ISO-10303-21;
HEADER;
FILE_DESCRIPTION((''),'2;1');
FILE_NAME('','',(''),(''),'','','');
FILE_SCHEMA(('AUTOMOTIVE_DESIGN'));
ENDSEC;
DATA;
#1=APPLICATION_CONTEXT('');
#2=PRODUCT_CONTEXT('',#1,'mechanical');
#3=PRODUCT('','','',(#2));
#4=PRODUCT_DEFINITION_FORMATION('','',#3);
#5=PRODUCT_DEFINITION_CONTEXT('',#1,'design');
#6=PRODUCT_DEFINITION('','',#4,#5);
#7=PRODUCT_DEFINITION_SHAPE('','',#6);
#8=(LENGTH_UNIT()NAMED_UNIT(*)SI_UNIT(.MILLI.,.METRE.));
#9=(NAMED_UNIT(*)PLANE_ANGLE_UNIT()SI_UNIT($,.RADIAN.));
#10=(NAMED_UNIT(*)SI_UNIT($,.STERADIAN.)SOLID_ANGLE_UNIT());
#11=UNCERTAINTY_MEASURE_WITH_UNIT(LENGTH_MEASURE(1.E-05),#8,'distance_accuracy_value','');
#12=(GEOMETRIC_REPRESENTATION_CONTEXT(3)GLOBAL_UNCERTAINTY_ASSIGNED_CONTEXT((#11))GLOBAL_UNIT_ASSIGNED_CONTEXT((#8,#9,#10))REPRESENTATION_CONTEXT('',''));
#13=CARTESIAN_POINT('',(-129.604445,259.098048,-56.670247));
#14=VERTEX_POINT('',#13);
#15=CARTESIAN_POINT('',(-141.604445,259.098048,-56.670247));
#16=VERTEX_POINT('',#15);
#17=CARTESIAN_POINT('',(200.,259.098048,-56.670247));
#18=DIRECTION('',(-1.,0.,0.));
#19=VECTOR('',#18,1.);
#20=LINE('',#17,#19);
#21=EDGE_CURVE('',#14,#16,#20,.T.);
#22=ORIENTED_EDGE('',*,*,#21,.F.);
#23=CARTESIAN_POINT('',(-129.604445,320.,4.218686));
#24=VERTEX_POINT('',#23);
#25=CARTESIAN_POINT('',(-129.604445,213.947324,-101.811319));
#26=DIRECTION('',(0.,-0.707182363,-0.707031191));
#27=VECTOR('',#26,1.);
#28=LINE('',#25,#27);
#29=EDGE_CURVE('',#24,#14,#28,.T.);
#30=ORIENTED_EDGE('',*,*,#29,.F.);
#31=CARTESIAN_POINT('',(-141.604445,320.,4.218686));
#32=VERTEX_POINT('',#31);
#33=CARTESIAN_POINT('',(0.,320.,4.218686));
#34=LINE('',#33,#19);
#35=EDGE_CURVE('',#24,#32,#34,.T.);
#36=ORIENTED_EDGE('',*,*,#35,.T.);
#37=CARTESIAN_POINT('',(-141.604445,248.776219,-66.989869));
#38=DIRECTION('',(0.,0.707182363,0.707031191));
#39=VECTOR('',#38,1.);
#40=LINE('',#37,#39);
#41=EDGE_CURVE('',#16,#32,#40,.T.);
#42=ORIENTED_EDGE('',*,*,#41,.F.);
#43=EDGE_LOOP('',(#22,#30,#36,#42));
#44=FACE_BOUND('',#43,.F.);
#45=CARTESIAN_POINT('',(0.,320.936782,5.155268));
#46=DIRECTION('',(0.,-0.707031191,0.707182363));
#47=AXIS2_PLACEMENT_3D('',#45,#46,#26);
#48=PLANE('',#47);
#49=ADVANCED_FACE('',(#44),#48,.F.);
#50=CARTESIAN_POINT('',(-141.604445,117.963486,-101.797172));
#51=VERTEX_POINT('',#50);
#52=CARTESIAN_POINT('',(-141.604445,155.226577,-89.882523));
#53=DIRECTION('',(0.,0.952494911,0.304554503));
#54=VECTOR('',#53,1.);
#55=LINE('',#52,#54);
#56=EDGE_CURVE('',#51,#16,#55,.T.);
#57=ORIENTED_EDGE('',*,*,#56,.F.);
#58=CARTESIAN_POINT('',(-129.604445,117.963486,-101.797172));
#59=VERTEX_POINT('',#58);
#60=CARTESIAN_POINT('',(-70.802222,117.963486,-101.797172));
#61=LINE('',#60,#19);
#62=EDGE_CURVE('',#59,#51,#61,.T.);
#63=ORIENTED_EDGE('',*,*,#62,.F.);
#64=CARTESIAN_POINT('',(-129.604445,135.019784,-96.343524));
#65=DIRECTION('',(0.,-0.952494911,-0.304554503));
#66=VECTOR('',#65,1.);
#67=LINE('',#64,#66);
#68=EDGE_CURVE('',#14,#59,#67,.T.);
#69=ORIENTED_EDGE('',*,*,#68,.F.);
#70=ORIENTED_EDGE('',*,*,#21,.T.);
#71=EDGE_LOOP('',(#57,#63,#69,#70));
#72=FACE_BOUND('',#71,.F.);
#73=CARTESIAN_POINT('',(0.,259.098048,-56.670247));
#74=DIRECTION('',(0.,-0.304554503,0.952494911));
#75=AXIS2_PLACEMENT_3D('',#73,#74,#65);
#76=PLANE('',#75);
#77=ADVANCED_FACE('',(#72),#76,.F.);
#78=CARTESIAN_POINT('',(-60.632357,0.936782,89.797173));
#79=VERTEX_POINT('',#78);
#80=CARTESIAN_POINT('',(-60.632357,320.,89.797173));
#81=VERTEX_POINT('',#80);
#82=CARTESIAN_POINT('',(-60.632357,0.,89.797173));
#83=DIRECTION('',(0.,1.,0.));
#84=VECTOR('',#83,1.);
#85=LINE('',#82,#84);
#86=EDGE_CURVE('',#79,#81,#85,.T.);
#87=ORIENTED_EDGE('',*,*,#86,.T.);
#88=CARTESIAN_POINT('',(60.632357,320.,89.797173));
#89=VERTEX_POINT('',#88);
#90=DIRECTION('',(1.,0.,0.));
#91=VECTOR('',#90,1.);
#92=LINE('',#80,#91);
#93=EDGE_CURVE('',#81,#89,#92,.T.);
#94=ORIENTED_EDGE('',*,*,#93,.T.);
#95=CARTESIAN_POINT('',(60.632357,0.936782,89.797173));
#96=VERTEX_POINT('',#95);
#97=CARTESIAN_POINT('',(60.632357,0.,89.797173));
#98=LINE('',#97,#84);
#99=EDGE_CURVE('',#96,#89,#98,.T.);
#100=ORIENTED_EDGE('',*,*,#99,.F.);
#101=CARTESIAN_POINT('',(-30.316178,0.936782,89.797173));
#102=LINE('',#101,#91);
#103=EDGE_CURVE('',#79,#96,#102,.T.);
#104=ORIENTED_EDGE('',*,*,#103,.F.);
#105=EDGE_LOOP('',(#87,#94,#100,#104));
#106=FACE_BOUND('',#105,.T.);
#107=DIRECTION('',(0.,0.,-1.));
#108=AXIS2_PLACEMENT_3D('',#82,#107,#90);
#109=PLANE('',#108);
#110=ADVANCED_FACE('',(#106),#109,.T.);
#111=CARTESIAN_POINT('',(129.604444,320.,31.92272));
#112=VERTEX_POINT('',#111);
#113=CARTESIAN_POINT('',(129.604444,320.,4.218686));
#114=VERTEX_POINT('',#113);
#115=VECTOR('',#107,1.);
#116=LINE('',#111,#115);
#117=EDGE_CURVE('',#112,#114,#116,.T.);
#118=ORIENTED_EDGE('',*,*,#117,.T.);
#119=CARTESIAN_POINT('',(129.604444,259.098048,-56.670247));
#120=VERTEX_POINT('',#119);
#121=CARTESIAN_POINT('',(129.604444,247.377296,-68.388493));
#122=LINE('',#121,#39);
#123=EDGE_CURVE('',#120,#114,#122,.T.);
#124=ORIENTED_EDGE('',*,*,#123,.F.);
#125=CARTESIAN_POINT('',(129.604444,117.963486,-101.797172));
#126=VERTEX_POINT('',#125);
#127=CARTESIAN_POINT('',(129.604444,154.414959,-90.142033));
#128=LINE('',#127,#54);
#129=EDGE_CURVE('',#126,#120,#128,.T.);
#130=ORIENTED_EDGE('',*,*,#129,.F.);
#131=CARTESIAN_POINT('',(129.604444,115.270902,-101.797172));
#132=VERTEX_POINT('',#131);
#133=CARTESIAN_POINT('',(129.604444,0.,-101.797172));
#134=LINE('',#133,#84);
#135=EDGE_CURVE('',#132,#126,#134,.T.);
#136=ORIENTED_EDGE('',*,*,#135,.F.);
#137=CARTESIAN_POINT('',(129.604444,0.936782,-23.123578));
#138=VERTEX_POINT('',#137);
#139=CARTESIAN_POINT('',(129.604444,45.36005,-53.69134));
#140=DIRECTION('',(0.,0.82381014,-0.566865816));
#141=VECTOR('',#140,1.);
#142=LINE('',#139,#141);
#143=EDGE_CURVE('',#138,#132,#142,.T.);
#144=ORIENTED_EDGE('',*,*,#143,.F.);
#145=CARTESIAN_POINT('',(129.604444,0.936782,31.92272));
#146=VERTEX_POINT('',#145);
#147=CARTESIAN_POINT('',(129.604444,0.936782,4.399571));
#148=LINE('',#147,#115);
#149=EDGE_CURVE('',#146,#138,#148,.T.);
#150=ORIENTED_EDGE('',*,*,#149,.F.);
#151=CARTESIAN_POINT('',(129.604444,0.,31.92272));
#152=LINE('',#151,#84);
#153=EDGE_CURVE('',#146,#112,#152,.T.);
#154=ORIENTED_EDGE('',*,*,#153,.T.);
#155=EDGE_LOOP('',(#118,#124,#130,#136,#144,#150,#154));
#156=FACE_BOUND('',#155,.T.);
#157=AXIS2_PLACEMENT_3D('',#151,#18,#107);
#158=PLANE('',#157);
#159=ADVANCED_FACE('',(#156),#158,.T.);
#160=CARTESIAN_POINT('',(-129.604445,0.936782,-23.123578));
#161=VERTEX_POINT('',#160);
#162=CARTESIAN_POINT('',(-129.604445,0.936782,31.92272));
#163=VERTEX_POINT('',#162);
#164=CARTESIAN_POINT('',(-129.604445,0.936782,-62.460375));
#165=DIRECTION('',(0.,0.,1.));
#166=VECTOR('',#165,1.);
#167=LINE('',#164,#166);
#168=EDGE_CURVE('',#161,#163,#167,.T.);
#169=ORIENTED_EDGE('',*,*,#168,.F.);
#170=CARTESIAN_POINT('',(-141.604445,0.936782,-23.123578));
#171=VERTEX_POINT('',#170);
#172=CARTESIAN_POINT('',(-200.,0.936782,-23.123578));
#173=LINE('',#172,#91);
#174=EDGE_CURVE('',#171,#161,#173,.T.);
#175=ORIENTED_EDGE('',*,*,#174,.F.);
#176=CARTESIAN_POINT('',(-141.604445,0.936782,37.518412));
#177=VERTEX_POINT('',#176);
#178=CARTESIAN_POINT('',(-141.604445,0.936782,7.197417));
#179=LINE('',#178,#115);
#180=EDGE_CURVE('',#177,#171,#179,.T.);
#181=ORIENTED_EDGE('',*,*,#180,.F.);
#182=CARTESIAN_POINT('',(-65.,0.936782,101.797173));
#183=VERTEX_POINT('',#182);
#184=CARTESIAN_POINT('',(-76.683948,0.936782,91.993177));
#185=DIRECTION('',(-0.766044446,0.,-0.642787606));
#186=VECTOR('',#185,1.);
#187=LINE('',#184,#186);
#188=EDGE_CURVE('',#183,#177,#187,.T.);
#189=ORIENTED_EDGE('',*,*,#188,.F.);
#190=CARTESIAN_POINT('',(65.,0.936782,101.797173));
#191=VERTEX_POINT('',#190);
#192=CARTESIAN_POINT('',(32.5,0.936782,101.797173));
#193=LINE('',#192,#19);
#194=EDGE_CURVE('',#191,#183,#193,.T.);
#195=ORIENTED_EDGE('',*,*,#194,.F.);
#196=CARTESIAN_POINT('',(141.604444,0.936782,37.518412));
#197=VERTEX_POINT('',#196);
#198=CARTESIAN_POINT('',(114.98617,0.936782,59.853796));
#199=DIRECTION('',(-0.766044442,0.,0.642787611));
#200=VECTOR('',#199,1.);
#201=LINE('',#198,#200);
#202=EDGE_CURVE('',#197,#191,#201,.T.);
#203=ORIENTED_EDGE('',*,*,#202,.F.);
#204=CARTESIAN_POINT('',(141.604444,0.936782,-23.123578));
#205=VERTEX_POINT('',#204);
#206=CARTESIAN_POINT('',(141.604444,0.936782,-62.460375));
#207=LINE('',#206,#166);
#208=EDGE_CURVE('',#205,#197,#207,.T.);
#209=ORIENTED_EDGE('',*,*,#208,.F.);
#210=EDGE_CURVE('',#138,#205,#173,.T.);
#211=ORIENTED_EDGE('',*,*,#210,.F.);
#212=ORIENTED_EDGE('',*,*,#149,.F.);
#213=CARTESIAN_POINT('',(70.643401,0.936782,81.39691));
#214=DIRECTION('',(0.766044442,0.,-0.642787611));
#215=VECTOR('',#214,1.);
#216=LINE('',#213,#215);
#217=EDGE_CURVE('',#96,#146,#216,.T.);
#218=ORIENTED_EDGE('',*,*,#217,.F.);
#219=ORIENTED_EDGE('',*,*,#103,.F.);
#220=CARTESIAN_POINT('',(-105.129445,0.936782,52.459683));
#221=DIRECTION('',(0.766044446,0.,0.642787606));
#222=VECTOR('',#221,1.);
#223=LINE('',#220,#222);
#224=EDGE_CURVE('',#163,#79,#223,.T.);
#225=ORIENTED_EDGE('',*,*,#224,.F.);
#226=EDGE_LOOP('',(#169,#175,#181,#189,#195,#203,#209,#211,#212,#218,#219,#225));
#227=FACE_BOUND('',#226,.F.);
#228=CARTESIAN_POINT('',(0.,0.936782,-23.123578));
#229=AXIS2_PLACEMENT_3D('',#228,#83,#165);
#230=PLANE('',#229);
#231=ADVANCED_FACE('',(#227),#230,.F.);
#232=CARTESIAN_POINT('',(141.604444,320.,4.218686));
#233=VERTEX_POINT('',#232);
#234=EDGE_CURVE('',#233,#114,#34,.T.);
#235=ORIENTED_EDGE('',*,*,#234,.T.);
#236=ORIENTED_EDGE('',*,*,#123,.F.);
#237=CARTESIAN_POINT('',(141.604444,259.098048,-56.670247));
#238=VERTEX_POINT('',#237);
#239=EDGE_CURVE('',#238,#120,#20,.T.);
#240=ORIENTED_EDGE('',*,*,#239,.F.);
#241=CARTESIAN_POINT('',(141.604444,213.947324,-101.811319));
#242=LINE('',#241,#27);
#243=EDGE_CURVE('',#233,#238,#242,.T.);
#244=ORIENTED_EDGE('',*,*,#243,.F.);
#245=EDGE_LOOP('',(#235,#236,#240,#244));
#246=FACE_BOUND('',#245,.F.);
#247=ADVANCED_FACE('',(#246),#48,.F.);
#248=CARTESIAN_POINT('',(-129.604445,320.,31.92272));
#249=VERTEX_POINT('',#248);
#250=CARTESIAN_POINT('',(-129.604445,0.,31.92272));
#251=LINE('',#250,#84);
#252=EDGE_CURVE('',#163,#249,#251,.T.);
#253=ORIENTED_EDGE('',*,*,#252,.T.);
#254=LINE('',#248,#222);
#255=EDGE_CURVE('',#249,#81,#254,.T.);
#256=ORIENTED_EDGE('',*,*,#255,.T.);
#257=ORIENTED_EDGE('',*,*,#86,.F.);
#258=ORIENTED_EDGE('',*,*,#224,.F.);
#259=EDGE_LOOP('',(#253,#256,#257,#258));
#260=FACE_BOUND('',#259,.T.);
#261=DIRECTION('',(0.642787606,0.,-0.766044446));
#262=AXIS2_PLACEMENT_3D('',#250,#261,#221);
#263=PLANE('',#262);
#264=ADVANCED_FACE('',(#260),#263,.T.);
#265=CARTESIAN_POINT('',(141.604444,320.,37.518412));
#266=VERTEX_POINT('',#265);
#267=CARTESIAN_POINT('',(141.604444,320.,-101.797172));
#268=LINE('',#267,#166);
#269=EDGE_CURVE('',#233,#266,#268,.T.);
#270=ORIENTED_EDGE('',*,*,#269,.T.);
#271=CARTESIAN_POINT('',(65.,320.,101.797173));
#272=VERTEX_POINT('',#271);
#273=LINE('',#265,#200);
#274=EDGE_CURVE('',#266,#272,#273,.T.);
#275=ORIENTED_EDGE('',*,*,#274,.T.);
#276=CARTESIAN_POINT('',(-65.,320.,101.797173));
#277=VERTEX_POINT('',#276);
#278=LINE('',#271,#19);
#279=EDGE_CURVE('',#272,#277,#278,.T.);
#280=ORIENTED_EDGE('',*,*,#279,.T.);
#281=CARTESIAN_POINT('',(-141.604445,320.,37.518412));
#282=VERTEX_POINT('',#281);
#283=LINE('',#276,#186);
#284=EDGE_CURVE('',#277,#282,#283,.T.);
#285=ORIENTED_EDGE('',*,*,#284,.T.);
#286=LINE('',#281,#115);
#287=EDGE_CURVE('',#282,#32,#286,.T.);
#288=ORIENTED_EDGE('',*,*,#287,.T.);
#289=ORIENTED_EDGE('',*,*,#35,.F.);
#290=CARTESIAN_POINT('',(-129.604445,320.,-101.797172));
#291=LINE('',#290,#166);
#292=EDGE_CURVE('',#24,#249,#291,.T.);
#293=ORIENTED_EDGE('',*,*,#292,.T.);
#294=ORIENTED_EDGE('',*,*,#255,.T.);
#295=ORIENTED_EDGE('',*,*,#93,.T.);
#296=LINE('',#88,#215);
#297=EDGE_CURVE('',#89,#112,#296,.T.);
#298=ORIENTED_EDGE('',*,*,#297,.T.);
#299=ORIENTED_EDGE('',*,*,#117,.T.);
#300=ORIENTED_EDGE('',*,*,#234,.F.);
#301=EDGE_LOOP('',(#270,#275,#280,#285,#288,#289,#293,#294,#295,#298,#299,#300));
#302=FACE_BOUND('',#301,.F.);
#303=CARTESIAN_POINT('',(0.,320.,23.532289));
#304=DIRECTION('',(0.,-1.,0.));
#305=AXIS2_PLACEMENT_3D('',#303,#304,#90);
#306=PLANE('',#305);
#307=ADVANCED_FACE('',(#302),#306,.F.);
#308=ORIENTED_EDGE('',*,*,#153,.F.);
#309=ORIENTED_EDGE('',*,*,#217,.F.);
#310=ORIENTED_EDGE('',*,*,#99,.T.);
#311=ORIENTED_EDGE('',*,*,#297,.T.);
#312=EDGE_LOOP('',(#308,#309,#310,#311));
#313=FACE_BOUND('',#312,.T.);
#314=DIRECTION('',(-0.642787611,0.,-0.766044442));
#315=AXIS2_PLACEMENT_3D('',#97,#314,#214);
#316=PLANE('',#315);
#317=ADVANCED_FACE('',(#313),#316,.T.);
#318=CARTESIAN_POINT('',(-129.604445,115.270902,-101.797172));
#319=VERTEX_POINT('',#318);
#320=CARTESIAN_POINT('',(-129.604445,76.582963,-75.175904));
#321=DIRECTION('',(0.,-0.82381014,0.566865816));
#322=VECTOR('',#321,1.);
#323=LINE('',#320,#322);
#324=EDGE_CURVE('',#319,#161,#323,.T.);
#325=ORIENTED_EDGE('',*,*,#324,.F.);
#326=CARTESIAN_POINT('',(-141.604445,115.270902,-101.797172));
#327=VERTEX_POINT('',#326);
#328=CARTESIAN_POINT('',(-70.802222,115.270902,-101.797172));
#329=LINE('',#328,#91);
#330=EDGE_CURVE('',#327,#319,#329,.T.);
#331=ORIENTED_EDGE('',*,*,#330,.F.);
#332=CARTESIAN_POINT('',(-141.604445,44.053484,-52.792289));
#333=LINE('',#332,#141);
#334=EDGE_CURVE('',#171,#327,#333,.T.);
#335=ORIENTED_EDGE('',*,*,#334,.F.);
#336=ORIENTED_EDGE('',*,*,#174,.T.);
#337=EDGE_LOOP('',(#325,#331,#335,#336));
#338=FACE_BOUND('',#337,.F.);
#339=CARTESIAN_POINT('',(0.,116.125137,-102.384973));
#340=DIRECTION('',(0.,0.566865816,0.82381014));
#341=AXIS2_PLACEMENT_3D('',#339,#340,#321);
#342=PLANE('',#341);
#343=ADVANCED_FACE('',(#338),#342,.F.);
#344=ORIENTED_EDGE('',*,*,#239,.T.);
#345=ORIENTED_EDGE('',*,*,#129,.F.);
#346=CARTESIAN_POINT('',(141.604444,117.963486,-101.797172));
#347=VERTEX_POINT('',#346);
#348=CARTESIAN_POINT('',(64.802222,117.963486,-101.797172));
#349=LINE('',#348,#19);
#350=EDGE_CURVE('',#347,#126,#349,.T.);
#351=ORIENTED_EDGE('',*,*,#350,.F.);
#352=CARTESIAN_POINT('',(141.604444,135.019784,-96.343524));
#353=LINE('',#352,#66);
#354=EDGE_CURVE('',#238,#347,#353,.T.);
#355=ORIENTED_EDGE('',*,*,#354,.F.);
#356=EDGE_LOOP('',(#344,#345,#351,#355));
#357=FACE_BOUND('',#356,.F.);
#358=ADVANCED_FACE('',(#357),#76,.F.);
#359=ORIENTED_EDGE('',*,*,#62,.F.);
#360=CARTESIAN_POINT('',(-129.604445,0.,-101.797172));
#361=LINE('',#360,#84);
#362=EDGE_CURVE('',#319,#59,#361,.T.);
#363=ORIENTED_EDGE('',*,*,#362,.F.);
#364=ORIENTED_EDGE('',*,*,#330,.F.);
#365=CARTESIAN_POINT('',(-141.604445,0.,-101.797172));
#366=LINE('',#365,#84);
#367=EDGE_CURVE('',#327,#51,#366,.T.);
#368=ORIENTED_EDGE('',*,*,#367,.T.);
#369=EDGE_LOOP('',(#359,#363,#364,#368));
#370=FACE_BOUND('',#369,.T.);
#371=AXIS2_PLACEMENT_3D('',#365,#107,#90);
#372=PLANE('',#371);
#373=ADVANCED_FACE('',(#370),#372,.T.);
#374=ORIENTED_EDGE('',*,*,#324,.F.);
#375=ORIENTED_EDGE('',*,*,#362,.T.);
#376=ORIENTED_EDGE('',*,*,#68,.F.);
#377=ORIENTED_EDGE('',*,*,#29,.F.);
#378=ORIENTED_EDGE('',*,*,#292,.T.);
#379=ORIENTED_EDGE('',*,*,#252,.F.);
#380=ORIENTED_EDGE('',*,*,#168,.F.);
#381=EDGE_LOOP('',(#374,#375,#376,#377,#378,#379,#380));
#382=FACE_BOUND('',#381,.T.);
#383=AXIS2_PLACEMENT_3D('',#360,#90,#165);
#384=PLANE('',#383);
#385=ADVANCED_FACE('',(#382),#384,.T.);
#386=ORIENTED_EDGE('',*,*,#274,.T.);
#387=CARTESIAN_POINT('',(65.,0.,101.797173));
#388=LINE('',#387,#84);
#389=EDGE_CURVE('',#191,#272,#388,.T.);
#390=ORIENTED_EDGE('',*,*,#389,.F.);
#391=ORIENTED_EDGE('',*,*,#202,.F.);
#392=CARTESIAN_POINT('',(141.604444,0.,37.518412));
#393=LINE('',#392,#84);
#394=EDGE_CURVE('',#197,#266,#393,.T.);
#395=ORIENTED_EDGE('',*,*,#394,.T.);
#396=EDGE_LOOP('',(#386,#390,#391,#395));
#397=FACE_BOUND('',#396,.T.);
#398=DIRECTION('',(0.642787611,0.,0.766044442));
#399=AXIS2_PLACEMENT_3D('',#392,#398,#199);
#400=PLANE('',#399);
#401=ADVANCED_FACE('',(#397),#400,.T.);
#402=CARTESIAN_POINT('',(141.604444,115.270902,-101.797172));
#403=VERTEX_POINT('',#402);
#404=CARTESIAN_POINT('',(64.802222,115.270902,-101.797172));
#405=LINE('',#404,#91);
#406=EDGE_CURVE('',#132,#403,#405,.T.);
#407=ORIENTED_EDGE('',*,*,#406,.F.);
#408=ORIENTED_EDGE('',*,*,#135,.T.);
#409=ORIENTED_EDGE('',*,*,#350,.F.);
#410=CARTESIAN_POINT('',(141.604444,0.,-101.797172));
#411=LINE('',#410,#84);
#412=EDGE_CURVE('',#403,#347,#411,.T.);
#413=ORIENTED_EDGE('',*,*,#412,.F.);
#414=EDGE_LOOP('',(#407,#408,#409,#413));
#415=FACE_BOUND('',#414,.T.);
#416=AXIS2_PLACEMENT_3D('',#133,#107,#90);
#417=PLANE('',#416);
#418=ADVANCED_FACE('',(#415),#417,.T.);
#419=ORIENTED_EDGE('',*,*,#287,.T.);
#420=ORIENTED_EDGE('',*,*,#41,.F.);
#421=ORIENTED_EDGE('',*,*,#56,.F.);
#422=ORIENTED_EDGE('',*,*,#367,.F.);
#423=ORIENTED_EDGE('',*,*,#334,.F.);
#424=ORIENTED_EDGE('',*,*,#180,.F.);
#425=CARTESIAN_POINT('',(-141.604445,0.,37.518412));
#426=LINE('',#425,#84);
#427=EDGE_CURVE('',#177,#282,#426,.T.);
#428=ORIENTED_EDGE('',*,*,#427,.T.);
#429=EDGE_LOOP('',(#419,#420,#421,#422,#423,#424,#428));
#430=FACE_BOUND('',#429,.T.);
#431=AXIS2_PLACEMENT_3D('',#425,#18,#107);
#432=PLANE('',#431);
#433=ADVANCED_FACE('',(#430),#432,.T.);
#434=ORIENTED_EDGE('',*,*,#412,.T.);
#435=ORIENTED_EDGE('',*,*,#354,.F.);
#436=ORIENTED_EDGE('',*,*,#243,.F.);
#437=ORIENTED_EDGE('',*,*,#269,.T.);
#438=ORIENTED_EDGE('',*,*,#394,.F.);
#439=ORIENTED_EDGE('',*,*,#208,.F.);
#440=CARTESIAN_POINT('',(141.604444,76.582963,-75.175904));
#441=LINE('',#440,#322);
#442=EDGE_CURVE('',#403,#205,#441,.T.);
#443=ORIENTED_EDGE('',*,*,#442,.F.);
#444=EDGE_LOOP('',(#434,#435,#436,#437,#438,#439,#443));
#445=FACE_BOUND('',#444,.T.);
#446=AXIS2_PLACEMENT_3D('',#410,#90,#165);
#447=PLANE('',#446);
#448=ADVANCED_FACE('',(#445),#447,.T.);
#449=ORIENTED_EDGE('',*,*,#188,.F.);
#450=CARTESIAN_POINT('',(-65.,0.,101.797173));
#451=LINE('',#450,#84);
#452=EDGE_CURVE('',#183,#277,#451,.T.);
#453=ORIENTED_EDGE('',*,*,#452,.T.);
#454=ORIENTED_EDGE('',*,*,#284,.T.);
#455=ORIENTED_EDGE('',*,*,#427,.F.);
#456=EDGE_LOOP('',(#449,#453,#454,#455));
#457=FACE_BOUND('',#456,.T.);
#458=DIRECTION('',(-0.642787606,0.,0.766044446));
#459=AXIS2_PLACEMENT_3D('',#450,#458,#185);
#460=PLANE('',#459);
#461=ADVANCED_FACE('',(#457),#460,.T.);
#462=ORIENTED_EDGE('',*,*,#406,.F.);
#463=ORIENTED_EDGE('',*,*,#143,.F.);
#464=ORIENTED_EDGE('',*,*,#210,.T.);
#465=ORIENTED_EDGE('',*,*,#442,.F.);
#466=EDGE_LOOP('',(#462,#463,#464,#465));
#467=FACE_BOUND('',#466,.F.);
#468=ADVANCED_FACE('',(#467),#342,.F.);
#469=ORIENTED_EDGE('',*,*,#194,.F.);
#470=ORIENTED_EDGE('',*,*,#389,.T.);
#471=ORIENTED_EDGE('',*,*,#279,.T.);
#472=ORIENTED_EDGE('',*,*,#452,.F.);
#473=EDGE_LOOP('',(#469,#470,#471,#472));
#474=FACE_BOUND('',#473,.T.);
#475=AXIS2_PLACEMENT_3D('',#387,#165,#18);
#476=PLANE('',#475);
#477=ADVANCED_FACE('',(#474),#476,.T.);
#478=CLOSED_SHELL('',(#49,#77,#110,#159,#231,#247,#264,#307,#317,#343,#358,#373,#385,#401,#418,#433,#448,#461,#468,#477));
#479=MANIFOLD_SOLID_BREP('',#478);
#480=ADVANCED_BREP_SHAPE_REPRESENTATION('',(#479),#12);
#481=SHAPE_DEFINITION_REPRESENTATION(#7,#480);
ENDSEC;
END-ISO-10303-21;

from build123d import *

# Parameters (mm, degrees)
F1_DEPTH = 320
F3_DEPTH = 200


with BuildPart() as f1:
    # F0 (on Front) → F1 (new body)
    with BuildSketch(Plane.XZ):
        Polygon((65, 101.797173), (-65, 101.797173), (-141.604445, 37.518412), (-141.604445, -101.797172), (-129.604445, -101.797172), (-129.604445, 31.92272), (-60.632357, 89.797173), (60.632357, 89.797173), (129.604444, 31.92272), (129.604444, -101.797172), (141.604444, -101.797172), (141.604444, 37.518412), align=None)
    extrude(amount=-F1_DEPTH)

    # F2 (on Right) → F3 (cut, symmetric)
    with BuildSketch(Plane.YZ):
        Polygon((116.125137, -102.384973), (0.936782, -23.123578), (0.936782, 101.797173), (0.936782, 106.294649), (-50.576436, 106.294649), (-50.576436, -137.235448), (364.986345, -137.235448), (364.986345, 106.294649), (320.936782, 106.294649), (320.936782, 5.155268), (259.098048, -56.670247), align=None)
    extrude(amount=F3_DEPTH, both=True, mode=Mode.SUBTRACT)


solid = f1.part
